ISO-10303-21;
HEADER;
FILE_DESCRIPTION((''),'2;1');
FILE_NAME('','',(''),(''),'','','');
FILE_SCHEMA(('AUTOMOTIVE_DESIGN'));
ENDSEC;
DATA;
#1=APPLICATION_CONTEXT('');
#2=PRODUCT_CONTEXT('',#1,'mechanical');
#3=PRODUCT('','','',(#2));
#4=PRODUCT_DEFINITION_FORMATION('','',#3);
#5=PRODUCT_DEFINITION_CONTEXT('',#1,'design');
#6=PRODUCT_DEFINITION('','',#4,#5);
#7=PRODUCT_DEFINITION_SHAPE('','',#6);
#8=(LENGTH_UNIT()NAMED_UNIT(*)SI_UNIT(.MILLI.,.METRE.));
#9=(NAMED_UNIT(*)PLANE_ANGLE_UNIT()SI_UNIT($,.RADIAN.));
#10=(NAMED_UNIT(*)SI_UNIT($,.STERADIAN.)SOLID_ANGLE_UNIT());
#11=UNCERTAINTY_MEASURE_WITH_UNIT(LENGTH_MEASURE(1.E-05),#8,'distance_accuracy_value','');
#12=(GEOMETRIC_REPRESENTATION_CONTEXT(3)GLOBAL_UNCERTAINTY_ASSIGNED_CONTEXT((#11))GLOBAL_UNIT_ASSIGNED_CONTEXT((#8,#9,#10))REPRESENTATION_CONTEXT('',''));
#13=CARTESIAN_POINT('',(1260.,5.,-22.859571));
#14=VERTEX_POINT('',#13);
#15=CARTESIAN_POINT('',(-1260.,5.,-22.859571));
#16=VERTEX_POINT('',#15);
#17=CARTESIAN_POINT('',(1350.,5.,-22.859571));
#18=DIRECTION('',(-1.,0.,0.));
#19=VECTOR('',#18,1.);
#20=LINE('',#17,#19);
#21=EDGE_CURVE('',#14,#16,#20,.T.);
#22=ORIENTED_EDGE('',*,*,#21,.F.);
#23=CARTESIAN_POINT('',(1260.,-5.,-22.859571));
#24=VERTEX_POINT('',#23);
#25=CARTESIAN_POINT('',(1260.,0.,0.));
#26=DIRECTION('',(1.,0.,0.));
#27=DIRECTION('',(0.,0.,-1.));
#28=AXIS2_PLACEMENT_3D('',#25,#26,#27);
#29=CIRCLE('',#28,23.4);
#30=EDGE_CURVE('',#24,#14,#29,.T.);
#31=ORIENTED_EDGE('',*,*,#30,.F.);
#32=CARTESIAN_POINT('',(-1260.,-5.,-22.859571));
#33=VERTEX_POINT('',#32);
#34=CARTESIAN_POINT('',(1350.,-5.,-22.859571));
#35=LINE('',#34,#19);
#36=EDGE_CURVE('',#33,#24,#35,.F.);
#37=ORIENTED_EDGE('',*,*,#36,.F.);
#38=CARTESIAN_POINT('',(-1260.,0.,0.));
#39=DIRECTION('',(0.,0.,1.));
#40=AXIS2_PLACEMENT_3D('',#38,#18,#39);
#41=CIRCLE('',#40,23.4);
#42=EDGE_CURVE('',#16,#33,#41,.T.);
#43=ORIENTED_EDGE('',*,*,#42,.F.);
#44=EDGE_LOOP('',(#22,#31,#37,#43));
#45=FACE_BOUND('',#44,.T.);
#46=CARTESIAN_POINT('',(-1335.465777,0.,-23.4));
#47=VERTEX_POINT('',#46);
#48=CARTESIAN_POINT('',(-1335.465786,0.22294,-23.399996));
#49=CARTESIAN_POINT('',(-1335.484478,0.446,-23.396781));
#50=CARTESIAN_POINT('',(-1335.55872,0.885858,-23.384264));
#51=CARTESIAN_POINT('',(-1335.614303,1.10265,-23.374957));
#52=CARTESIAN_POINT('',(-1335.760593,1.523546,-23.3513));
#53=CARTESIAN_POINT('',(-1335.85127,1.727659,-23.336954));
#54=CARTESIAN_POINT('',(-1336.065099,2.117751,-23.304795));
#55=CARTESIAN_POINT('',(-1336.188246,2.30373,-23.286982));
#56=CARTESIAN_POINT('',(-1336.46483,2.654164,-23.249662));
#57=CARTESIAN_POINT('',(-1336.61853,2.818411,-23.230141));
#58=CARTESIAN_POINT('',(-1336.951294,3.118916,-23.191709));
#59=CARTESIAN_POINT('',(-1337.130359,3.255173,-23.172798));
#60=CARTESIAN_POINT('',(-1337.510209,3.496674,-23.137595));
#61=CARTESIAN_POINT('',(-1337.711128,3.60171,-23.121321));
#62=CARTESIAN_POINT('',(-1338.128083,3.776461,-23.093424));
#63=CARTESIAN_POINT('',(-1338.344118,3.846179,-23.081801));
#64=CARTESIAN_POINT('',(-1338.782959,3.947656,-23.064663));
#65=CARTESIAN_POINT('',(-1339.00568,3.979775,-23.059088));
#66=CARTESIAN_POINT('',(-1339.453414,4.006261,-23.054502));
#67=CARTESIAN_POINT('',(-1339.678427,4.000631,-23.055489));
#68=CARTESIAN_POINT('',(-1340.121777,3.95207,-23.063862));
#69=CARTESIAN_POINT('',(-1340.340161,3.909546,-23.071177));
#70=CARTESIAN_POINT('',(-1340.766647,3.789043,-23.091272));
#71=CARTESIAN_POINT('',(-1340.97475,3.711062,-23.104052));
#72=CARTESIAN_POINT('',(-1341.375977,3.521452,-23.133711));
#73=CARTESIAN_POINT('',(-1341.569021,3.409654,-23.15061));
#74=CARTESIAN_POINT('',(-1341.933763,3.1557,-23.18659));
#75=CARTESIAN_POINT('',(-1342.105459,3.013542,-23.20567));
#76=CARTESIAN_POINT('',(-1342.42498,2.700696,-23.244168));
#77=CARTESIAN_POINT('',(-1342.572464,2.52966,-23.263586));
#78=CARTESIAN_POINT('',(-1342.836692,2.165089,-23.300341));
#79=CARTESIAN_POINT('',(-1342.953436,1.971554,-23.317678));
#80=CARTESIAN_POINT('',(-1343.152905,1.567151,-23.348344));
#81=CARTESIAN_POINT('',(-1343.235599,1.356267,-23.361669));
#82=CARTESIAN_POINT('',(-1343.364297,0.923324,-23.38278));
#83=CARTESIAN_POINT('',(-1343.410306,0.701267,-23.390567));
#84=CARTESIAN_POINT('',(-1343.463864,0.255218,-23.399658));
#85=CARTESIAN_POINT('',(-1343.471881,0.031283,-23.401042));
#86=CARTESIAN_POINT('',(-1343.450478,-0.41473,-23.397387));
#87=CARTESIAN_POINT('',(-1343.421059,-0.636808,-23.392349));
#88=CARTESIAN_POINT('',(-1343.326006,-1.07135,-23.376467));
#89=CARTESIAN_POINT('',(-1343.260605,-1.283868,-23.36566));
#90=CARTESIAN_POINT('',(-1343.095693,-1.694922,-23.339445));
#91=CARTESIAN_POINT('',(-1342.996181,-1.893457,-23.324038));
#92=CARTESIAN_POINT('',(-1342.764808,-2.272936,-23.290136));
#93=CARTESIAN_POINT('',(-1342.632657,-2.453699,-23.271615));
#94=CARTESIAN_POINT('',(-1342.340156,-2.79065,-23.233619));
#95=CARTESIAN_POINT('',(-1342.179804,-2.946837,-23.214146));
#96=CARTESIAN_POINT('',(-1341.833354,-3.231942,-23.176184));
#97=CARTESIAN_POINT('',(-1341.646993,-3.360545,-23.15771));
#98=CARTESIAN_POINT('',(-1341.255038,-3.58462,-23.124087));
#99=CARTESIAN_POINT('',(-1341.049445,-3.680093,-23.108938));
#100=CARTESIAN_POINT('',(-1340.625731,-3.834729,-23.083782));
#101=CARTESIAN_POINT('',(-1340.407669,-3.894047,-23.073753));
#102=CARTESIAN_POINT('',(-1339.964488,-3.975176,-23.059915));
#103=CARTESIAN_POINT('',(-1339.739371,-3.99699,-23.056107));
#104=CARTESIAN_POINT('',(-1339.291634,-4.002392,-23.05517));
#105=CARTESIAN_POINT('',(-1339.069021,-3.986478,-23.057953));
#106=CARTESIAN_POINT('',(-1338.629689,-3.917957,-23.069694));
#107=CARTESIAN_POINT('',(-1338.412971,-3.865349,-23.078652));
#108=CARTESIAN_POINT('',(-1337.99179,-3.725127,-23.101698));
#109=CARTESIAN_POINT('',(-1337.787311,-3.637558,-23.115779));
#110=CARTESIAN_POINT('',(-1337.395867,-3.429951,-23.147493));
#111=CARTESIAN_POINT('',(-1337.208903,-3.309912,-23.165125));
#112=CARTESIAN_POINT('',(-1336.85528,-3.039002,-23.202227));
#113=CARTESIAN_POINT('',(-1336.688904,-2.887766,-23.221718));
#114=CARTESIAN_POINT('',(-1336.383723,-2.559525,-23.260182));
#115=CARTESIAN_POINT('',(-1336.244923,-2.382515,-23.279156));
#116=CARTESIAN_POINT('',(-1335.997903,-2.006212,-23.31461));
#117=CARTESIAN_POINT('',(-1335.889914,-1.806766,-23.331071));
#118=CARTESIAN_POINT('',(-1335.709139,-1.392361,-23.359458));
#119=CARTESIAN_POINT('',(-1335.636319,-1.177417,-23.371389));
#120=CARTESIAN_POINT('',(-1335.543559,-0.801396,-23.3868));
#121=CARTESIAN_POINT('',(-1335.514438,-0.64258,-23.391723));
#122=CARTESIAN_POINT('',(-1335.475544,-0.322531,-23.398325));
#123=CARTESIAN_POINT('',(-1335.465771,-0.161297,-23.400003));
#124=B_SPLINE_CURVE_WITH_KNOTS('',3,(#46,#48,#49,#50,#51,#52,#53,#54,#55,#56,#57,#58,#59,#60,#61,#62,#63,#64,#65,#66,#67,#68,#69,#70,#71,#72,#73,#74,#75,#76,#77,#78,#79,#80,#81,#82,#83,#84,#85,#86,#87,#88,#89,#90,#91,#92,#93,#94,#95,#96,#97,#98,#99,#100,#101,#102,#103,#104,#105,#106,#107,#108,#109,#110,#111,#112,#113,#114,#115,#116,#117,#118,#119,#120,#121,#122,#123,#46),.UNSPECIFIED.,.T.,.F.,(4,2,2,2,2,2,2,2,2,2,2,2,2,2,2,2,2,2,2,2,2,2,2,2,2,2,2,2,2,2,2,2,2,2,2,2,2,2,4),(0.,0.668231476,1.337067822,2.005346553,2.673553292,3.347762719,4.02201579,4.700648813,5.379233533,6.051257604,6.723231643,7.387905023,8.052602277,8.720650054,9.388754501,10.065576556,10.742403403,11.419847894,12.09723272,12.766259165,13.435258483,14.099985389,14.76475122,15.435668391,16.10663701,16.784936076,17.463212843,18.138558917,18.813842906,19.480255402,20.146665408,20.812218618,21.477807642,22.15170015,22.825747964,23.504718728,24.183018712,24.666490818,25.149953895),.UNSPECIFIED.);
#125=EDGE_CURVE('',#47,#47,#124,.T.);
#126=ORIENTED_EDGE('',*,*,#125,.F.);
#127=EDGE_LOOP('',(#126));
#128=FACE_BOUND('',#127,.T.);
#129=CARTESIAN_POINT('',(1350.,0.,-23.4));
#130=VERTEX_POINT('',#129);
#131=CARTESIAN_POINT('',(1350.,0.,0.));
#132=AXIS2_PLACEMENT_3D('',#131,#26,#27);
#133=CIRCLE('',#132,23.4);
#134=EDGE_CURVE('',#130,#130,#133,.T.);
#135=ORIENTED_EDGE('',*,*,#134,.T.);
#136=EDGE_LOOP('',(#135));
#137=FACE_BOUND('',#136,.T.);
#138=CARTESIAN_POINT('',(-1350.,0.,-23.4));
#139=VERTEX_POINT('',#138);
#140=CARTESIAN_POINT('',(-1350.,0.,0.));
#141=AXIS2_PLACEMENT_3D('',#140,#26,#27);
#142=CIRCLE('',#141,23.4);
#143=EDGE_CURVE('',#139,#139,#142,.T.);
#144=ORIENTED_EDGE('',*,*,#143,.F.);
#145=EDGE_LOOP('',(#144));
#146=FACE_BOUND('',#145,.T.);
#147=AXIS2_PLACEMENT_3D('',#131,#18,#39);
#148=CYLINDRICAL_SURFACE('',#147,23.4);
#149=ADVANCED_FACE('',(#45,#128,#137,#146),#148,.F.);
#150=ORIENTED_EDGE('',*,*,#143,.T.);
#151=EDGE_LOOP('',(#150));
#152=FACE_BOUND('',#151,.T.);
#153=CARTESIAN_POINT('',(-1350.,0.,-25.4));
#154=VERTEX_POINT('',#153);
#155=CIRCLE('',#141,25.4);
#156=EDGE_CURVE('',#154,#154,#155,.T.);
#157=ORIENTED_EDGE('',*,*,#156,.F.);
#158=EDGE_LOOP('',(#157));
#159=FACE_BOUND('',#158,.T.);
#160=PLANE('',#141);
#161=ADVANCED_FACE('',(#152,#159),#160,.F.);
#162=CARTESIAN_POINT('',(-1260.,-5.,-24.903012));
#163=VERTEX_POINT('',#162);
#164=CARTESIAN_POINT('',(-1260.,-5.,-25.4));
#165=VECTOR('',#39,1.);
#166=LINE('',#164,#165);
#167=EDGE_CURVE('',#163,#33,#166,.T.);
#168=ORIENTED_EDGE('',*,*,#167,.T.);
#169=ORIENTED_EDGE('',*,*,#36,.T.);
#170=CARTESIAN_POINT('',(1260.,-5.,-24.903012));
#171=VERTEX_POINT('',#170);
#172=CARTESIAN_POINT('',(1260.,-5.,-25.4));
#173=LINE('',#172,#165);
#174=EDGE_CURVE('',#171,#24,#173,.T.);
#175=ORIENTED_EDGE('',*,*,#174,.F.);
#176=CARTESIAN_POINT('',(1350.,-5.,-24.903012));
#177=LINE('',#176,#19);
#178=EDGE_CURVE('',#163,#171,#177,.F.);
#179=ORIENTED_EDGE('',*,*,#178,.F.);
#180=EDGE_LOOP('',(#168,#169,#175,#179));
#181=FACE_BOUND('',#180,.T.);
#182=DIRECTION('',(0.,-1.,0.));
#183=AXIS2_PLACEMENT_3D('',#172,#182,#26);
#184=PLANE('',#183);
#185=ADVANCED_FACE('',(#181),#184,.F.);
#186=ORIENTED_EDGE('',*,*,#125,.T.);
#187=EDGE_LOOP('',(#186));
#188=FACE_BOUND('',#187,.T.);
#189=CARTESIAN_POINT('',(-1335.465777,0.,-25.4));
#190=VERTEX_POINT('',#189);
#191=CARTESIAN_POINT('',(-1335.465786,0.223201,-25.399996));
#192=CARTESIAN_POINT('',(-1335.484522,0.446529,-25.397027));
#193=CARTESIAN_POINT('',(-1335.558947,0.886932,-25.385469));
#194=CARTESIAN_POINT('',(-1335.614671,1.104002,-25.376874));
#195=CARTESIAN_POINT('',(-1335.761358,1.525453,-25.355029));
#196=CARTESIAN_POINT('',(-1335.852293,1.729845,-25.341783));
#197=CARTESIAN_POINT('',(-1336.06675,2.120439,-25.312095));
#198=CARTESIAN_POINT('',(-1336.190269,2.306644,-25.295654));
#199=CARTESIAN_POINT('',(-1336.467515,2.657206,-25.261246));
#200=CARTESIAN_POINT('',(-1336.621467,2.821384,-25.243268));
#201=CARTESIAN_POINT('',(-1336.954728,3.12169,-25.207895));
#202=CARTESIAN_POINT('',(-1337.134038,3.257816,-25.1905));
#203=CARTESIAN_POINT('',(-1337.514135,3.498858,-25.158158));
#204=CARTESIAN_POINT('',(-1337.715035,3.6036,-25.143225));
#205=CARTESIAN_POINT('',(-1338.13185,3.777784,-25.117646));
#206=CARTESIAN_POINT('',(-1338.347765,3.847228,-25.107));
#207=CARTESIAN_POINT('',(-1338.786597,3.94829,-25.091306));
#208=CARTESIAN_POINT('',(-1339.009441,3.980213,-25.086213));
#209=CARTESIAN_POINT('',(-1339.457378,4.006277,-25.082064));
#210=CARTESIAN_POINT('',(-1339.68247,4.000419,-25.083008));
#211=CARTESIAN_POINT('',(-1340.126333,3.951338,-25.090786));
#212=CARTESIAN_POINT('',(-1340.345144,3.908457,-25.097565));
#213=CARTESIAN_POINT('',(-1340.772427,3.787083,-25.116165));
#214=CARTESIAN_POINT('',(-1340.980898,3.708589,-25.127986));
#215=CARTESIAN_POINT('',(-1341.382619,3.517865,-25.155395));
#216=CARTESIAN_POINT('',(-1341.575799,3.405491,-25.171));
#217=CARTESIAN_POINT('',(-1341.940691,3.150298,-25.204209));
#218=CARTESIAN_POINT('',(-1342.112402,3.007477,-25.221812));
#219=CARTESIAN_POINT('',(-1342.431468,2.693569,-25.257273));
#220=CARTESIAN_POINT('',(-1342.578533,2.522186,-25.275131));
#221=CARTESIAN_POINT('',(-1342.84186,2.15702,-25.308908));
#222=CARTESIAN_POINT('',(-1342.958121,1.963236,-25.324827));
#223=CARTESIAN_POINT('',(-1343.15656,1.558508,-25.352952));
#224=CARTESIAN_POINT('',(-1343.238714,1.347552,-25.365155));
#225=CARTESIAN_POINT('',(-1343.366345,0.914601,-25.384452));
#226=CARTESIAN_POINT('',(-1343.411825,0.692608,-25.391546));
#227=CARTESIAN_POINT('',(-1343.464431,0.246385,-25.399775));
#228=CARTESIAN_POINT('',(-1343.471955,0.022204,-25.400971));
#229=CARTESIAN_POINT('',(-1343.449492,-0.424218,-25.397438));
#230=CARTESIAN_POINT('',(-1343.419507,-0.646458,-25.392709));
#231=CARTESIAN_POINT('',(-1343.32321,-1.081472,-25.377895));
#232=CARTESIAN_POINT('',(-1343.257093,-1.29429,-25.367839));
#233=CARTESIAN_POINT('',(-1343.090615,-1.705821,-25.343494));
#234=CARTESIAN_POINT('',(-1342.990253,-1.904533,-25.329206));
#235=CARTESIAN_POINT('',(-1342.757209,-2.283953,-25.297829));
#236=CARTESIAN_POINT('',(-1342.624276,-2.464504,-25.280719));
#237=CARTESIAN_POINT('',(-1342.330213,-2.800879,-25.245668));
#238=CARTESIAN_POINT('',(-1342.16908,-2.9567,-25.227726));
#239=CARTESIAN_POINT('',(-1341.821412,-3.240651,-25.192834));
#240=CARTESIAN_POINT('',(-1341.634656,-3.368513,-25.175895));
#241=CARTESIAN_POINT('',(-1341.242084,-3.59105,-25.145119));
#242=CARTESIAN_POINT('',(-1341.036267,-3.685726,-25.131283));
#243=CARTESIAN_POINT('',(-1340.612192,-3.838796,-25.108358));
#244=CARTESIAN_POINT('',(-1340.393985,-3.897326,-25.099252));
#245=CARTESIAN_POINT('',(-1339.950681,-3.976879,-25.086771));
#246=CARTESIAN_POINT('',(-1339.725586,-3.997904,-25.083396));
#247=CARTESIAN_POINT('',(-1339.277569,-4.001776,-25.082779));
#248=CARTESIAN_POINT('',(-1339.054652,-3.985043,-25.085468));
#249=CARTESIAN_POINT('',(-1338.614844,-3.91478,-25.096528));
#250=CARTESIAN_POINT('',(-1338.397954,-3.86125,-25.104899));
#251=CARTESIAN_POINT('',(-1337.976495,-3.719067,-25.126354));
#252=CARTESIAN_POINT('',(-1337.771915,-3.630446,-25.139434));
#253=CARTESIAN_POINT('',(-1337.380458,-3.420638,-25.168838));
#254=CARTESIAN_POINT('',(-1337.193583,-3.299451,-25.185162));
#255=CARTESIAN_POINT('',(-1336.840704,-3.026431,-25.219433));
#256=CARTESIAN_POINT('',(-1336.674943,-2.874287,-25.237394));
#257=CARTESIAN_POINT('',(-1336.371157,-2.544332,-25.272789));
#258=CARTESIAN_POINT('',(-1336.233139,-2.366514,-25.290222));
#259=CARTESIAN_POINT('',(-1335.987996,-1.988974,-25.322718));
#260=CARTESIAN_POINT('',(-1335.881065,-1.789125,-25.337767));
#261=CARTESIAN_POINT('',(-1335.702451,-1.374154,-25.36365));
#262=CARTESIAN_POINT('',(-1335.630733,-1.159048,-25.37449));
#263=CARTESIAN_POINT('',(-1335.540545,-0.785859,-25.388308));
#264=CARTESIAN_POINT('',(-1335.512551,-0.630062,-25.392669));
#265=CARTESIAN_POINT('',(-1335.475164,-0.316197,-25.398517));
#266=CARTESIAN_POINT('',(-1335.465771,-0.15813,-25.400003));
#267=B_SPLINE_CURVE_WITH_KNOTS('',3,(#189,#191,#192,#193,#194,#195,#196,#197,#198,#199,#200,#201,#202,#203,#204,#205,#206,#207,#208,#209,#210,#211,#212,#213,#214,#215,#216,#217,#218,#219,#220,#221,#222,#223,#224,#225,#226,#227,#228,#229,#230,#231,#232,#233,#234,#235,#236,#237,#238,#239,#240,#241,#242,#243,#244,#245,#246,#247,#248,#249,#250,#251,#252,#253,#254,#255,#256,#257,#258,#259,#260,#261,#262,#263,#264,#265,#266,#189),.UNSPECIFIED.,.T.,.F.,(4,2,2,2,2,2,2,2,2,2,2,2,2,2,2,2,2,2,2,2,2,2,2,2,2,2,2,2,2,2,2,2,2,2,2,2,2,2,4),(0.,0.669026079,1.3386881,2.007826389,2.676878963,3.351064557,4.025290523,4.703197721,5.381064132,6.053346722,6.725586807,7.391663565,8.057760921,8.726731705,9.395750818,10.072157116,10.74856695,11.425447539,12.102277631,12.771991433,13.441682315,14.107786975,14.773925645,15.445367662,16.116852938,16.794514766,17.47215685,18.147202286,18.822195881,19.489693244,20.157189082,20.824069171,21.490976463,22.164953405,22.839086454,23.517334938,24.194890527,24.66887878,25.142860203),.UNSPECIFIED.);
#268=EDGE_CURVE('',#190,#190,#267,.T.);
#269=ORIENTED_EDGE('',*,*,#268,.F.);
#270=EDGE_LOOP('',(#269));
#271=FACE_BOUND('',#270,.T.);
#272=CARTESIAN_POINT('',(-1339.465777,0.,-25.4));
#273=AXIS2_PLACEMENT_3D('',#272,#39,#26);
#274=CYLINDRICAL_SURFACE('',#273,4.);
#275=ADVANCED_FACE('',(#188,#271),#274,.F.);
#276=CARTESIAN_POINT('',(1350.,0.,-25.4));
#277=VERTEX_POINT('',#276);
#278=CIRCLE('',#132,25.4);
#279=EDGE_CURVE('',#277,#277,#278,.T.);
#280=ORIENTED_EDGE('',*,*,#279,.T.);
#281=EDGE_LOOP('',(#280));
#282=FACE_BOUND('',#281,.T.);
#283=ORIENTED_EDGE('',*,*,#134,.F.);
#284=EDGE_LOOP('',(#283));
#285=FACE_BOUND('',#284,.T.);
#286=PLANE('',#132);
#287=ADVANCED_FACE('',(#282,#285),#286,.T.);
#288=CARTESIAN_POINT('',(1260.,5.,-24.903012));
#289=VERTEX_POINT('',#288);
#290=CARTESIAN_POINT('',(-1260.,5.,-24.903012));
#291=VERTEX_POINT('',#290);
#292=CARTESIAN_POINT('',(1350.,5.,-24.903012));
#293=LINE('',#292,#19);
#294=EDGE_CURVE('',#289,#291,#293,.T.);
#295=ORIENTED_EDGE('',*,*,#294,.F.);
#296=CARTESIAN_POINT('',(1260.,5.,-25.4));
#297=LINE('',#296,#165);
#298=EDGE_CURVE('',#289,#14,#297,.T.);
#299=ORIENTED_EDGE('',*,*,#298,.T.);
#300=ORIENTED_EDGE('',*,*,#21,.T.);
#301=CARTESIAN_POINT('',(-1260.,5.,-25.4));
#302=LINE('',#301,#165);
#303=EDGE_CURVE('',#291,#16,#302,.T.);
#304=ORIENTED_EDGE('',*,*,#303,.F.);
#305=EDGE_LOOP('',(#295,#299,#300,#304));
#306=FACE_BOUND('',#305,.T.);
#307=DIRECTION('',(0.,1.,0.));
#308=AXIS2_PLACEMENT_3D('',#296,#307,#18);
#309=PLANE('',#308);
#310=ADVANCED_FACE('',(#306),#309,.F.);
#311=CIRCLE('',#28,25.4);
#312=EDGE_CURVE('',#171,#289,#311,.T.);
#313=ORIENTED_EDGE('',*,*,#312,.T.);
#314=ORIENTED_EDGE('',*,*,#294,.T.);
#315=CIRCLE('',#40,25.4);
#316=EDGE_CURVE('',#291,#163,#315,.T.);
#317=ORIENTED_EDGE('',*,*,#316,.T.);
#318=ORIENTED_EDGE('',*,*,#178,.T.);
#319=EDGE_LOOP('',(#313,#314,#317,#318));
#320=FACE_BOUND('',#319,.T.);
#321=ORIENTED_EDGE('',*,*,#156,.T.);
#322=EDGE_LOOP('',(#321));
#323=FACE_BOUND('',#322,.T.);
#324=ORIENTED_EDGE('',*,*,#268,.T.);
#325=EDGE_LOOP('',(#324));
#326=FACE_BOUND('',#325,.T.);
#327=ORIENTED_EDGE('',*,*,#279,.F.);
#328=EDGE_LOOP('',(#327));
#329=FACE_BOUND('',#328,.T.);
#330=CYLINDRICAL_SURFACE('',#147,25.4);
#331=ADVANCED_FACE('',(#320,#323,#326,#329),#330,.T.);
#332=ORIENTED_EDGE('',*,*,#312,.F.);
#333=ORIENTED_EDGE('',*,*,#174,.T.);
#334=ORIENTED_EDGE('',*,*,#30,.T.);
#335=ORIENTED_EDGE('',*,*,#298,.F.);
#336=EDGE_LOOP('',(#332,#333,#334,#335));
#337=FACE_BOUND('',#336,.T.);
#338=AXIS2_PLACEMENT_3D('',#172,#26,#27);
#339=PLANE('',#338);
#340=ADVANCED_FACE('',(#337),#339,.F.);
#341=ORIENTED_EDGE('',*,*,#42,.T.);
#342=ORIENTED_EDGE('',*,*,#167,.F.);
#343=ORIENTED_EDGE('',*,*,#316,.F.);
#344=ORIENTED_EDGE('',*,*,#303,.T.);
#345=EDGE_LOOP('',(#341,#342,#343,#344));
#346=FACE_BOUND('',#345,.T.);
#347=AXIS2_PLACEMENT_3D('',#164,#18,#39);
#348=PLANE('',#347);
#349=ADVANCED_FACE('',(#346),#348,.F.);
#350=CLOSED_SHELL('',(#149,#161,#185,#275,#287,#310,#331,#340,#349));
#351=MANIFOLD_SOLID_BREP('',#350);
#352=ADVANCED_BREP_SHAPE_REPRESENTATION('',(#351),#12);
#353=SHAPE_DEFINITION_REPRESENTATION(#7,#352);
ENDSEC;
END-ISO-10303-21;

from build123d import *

# Parameters (mm, degrees)
CROQUIS1_R              = 25.4
CROQUIS1_R_2            = 23.4
SALIENTE_EXTRUIR1_DEPTH = 1350
CROQUIS2_R              = 4
CROQUIS2_W              = 2520
CROQUIS2_H              = 10
CORTAR_EXTRUIR1_DEPTH   = 1351.477811739


with BuildPart() as part:
    # Croquis1 → Saliente-Extruir1 (new, symmetric)
    with BuildSketch(Plane(origin=(0, 0, 0), x_dir=(0, 0, -1), z_dir=(1, 0, 0))):
        Circle(CROQUIS1_R)
        Circle(CROQUIS1_R_2, mode=Mode.SUBTRACT)
    extrude(amount=SALIENTE_EXTRUIR1_DEPTH, both=True)

    # Croquis2 → Cortar-Extruir1 (cut, through all)
    with BuildSketch(Plane.XY):
        with Locations((-1339.465777124, 0)):
            Circle(CROQUIS2_R)
        Rectangle(CROQUIS2_W, CROQUIS2_H)
    extrude(amount=-CORTAR_EXTRUIR1_DEPTH, mode=Mode.SUBTRACT)


solid = part.part
